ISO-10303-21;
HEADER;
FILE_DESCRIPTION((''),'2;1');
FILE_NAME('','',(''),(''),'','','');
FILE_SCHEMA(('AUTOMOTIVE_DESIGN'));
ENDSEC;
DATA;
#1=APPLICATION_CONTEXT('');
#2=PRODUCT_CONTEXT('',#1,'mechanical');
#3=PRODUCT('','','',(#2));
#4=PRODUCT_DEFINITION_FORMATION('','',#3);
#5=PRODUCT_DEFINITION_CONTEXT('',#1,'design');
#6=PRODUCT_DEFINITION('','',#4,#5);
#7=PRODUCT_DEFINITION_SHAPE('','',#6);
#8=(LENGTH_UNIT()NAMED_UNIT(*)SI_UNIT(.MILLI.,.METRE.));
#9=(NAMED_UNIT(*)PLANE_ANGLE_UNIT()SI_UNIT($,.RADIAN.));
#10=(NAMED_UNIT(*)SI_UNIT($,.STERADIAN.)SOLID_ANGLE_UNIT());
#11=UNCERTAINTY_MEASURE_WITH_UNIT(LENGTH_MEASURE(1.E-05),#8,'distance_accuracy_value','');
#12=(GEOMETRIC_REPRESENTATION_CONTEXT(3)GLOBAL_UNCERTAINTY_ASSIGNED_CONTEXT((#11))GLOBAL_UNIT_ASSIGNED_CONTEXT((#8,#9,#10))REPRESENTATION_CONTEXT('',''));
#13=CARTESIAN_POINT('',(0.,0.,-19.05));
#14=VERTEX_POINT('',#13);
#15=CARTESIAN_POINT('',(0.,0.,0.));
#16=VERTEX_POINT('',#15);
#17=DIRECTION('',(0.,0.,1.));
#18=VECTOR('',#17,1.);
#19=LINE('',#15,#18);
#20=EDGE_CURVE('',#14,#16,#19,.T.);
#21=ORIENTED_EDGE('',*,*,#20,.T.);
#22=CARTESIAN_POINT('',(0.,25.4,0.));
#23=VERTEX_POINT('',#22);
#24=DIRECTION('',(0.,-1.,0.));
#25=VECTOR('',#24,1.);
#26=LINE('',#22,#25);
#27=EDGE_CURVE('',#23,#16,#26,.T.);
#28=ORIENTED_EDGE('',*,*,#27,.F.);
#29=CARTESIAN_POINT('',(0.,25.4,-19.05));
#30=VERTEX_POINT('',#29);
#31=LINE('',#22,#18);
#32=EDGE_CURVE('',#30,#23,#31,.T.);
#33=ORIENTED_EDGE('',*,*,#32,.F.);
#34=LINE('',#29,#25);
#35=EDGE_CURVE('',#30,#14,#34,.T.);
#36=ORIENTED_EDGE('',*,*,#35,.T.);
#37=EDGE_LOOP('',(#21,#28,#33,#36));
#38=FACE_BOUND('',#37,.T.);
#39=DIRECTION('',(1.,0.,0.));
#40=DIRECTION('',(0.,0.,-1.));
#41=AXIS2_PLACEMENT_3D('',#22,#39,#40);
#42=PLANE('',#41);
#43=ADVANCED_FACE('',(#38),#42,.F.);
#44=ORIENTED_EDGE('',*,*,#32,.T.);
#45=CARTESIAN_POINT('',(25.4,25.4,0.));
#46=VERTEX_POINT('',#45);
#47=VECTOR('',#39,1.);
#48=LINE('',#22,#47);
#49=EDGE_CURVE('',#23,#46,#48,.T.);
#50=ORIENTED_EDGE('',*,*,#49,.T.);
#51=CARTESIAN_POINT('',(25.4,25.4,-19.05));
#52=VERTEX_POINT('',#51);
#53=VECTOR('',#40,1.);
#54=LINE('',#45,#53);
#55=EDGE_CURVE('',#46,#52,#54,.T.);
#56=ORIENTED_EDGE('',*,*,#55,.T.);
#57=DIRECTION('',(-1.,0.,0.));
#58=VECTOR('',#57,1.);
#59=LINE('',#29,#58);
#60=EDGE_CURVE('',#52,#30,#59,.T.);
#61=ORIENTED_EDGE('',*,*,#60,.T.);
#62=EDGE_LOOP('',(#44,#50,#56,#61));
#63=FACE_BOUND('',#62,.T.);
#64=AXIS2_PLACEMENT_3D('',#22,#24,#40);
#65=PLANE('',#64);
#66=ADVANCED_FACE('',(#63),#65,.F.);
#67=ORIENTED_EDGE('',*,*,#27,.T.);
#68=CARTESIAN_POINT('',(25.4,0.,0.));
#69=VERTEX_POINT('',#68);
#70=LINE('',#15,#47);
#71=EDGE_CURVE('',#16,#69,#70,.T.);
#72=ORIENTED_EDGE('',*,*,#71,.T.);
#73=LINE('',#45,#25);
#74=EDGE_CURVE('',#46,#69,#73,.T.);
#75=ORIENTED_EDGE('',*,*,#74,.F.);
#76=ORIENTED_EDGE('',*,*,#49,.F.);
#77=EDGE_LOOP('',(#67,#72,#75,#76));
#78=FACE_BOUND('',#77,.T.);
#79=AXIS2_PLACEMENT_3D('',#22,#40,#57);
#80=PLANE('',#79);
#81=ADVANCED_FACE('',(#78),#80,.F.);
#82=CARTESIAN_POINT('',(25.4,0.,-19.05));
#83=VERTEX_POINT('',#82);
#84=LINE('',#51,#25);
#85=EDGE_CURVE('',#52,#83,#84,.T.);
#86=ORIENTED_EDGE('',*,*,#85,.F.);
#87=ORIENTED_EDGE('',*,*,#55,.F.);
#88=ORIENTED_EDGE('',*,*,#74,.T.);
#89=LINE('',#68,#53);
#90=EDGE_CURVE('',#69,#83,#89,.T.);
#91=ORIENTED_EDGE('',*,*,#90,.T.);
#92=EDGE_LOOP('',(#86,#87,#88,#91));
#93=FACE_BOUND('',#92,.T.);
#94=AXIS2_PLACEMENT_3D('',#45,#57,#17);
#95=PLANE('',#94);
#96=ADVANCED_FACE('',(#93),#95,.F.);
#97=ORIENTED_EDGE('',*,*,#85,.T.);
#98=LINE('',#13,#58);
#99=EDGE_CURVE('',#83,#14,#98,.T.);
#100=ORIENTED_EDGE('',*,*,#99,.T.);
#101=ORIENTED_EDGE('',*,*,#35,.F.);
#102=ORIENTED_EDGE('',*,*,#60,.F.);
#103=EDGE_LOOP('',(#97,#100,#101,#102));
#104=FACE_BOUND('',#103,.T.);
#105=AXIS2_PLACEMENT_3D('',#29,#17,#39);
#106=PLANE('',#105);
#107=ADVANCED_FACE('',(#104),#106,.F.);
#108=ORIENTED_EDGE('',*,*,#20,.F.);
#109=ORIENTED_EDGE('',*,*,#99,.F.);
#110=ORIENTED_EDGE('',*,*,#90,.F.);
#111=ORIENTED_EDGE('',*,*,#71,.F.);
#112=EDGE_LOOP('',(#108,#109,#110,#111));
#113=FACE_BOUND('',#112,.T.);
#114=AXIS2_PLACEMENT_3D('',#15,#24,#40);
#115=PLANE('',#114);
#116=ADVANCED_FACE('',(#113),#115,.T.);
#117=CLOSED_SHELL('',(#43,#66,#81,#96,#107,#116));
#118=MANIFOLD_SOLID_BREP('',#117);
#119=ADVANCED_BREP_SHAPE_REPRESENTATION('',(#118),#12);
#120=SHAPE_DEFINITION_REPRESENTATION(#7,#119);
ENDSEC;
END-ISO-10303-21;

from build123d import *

# Parameters (mm, degrees)
SKETCH1_W           = 25.4
SKETCH1_H           = 19.05
BOSS_EXTRUDE1_DEPTH = 25.4


with BuildPart() as part:
    # Sketch1 → Boss-Extrude1 (new body)
    with BuildSketch(Plane(origin=(0, 0, 0), x_dir=(1, 0, 0), z_dir=(0, 1, 0))):
        with Locations((12.7, 9.525)):
            Rectangle(SKETCH1_W, SKETCH1_H)
    extrude(amount=BOSS_EXTRUDE1_DEPTH)


solid = part.part
